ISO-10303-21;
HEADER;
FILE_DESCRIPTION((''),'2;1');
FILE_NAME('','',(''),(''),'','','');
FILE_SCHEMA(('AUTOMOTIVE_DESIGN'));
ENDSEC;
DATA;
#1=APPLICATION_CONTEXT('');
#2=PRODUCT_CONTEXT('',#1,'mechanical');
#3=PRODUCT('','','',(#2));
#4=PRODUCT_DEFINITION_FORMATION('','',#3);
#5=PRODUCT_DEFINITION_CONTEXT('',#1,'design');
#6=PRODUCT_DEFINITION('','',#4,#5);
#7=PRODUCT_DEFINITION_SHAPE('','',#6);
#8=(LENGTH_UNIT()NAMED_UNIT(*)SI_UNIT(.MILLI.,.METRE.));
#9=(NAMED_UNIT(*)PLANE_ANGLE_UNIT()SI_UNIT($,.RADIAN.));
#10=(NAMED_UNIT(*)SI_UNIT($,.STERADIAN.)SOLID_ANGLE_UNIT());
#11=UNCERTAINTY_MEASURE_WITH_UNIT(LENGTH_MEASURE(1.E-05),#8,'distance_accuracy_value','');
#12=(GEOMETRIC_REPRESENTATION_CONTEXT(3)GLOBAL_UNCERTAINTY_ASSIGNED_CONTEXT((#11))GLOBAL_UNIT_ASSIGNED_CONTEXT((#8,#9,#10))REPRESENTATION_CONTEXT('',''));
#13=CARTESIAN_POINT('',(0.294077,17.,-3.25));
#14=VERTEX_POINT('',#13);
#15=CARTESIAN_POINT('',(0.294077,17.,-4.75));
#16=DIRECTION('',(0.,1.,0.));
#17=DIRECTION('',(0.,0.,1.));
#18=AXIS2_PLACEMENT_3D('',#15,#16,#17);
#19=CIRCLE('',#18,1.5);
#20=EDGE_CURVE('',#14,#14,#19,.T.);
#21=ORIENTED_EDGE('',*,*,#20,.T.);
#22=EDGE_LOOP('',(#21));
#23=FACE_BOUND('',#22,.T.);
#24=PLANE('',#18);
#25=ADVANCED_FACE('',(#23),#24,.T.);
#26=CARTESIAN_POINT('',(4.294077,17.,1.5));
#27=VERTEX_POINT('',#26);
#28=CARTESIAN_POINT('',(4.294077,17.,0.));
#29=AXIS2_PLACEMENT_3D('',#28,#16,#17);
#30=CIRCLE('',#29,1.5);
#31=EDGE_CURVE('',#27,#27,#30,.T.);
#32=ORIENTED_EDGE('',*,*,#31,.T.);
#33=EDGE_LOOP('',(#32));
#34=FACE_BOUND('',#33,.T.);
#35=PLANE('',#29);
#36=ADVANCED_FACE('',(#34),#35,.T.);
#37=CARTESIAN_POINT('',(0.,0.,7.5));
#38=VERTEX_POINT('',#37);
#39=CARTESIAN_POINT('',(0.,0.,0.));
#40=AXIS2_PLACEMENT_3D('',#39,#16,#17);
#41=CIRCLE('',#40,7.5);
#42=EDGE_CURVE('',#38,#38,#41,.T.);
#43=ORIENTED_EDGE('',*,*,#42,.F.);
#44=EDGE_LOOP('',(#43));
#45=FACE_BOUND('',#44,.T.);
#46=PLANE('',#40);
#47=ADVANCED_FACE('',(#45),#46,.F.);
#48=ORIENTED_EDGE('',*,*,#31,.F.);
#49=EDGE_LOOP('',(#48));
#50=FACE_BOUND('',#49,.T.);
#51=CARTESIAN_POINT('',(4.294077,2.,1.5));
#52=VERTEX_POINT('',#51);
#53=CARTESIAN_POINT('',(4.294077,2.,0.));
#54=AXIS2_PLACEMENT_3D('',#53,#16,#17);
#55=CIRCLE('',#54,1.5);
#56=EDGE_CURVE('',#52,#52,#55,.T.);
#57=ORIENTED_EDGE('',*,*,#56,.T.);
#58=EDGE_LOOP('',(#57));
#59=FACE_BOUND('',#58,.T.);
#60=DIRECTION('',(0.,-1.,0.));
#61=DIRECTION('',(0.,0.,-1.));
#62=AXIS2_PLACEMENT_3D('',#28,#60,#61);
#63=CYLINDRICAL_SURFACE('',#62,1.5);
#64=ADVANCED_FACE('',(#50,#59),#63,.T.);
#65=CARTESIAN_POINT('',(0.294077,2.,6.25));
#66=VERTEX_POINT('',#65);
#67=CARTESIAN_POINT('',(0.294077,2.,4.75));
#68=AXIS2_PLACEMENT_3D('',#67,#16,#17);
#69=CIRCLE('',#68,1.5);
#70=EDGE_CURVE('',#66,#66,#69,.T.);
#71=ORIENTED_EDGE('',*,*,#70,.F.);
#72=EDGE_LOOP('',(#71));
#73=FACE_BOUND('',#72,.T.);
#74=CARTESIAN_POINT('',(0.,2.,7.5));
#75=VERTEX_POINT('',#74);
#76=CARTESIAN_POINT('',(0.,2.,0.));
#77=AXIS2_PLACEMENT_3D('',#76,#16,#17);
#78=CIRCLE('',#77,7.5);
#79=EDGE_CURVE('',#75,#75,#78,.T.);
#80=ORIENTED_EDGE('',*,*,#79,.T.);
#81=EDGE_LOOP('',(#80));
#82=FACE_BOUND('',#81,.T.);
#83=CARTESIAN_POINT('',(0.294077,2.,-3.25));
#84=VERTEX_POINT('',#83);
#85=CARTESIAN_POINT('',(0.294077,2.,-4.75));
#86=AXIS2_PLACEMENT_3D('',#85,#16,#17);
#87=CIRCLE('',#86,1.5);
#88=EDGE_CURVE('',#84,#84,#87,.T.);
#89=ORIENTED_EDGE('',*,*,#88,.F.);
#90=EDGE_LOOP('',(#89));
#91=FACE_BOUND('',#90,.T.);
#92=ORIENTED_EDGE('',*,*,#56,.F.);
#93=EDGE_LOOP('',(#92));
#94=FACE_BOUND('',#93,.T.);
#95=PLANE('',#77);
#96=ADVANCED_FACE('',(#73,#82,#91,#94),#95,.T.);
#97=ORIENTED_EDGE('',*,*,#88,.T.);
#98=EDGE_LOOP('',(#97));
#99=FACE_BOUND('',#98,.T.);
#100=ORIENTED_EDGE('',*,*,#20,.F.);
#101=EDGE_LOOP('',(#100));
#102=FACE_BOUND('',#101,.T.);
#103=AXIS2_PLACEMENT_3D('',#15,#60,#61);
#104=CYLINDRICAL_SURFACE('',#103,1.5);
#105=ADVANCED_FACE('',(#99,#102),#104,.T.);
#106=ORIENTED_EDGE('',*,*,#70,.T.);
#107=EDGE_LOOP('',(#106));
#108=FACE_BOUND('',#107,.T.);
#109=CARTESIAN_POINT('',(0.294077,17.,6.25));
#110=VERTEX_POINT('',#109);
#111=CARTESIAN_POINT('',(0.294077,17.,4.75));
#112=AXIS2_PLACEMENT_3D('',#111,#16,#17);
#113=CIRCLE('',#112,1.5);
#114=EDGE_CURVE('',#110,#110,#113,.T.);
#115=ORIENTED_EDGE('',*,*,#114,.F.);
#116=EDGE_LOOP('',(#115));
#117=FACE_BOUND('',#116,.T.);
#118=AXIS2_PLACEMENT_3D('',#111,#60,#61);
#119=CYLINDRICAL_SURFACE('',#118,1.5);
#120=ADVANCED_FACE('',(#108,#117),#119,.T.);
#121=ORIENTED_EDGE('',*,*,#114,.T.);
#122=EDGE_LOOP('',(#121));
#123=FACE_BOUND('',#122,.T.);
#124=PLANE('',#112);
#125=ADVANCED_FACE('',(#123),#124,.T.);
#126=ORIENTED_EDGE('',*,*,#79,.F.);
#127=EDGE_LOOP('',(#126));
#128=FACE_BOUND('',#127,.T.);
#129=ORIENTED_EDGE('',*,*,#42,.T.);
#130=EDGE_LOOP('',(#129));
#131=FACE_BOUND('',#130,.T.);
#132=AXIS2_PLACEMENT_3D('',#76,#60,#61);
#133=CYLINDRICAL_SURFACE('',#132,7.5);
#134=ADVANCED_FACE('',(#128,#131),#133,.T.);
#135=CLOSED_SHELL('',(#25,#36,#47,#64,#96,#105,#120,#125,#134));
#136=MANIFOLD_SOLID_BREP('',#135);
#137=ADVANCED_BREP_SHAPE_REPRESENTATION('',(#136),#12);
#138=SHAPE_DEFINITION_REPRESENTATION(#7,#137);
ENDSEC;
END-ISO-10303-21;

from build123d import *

# Parameters (mm, degrees)
SKETCH1_R           = 7.5
BOSS_EXTRUDE1_DEPTH = 2
SKETCH2_R           = 1.5
BOSS_EXTRUDE2_DEPTH = 15


with BuildPart() as part:
    # Sketch1 → Boss-Extrude1 (new body)
    with BuildSketch(Plane(origin=(0, 0, 0), x_dir=(1, 0, 0), z_dir=(0, 1, 0))):
        Circle(SKETCH1_R)
    extrude(amount=BOSS_EXTRUDE1_DEPTH)

    # Sketch2 → Boss-Extrude2 (add)
    with BuildSketch(Plane(origin=(0, 2, 0), x_dir=(1, 0, 0), z_dir=(0, 1, 0))):
        with Locations((0.294077072, -4.75)):
            Circle(SKETCH2_R)
        with Locations((0.294077072, 4.75)):
            Circle(SKETCH2_R)
        with Locations((4.294077072, 0)):
            Circle(SKETCH2_R)
    extrude(amount=BOSS_EXTRUDE2_DEPTH)


solid = part.part
